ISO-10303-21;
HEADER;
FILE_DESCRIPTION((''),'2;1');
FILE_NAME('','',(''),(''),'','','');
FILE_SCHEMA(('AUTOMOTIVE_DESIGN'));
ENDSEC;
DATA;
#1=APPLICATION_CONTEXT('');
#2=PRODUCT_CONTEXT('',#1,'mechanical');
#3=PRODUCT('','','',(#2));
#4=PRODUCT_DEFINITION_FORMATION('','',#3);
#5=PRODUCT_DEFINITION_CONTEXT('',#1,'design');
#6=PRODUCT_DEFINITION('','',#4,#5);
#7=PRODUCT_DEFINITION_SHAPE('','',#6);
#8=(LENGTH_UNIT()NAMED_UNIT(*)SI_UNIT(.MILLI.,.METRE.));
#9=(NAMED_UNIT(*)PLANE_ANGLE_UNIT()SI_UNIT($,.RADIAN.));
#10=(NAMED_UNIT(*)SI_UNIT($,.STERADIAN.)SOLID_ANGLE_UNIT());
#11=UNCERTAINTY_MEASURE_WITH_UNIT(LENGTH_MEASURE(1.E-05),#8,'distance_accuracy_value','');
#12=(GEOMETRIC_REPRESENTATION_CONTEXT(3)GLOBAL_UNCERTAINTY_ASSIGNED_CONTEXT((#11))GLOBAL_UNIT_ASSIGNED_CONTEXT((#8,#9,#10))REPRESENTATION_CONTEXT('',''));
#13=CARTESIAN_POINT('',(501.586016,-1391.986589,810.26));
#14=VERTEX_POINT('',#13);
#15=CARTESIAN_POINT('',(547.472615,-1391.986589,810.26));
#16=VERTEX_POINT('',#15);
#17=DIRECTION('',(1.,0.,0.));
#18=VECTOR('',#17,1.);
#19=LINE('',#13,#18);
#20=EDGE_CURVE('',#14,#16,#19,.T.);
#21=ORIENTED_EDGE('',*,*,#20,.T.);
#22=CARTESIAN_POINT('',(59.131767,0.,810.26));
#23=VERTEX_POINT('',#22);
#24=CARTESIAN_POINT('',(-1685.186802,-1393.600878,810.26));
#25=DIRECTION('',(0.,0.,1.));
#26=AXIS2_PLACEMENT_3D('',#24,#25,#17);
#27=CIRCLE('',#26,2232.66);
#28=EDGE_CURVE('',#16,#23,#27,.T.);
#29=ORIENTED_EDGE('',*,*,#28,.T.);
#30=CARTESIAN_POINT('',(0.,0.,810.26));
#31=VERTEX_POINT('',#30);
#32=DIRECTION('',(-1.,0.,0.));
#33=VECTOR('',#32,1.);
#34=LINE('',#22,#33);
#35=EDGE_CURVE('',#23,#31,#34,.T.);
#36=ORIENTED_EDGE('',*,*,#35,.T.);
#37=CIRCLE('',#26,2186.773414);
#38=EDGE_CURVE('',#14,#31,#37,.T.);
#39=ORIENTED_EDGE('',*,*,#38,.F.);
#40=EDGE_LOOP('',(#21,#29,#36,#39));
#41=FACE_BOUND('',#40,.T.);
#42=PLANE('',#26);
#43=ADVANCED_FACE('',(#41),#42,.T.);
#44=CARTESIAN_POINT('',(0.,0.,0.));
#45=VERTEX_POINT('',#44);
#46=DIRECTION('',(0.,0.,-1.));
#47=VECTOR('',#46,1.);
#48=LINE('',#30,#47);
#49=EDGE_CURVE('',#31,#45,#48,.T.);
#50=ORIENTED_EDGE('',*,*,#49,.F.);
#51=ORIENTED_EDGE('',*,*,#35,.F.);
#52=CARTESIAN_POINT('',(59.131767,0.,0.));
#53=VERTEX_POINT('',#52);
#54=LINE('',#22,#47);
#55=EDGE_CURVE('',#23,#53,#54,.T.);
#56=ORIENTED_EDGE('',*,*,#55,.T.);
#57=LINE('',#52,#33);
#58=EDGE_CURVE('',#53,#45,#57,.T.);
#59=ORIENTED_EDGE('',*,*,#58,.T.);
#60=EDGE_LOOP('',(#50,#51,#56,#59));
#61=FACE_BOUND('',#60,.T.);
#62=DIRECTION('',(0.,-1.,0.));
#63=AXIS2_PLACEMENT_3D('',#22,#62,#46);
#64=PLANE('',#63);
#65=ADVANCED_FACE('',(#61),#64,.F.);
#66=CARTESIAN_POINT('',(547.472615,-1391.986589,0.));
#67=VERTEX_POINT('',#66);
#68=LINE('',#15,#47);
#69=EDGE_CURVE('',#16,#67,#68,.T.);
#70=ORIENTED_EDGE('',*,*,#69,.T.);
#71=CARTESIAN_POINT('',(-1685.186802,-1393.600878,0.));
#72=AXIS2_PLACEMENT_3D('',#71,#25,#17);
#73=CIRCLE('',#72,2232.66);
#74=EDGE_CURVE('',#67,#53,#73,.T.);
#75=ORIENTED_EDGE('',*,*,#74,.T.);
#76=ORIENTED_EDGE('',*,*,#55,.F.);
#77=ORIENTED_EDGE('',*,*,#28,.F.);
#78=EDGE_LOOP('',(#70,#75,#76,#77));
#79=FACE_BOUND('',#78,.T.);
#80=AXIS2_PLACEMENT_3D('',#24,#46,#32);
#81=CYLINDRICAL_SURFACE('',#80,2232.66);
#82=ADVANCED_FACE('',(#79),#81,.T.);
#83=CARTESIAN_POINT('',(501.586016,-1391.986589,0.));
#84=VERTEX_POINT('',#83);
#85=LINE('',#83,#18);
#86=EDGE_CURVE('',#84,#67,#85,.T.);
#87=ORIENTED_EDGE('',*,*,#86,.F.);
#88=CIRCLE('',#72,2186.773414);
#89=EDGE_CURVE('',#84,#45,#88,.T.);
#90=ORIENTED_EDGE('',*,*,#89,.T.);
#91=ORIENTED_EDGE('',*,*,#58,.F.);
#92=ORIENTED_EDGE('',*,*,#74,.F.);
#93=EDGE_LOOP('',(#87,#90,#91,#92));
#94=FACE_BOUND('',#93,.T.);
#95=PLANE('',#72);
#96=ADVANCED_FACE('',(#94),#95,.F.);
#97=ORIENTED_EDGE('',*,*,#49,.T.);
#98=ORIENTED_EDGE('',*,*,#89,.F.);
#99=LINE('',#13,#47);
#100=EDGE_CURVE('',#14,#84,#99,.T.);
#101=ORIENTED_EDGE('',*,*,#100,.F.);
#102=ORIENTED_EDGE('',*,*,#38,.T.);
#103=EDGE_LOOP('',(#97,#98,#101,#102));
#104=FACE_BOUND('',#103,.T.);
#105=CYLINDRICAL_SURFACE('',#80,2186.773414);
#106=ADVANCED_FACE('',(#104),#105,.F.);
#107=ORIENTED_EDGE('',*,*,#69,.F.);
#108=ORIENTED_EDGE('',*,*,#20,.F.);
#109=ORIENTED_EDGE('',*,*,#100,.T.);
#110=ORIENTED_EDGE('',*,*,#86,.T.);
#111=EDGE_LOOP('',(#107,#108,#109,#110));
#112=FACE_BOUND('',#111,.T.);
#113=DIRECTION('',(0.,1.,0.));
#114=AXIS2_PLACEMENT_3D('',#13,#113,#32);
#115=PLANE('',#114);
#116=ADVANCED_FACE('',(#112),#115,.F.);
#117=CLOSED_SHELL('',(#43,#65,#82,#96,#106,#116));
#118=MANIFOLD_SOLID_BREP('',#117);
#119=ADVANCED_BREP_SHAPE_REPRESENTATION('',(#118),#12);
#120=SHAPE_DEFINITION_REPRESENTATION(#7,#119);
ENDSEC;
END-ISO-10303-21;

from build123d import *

# Parameters (mm, degrees)
BOSS_EXTRUDE2_DEPTH = 810.26


with BuildPart() as part:
    # Sketch1 → Boss-Extrude2 (new body)
    with BuildSketch(Plane.XY):
        with BuildLine():
            Line((59.131767116, 0), (0, 0))
            ThreePointArc((0, 0), (372.098907579, -652.282138403), (501.586016125, -1391.986588722))
            Line((501.586016125, -1391.986588722), (547.472614707, -1391.986588722))
            ThreePointArc((547.472614707, -1391.986588722), (421.586831022, -654.496327453), (59.131767116, 0))
        make_face()
    extrude(amount=BOSS_EXTRUDE2_DEPTH)


solid = part.part
